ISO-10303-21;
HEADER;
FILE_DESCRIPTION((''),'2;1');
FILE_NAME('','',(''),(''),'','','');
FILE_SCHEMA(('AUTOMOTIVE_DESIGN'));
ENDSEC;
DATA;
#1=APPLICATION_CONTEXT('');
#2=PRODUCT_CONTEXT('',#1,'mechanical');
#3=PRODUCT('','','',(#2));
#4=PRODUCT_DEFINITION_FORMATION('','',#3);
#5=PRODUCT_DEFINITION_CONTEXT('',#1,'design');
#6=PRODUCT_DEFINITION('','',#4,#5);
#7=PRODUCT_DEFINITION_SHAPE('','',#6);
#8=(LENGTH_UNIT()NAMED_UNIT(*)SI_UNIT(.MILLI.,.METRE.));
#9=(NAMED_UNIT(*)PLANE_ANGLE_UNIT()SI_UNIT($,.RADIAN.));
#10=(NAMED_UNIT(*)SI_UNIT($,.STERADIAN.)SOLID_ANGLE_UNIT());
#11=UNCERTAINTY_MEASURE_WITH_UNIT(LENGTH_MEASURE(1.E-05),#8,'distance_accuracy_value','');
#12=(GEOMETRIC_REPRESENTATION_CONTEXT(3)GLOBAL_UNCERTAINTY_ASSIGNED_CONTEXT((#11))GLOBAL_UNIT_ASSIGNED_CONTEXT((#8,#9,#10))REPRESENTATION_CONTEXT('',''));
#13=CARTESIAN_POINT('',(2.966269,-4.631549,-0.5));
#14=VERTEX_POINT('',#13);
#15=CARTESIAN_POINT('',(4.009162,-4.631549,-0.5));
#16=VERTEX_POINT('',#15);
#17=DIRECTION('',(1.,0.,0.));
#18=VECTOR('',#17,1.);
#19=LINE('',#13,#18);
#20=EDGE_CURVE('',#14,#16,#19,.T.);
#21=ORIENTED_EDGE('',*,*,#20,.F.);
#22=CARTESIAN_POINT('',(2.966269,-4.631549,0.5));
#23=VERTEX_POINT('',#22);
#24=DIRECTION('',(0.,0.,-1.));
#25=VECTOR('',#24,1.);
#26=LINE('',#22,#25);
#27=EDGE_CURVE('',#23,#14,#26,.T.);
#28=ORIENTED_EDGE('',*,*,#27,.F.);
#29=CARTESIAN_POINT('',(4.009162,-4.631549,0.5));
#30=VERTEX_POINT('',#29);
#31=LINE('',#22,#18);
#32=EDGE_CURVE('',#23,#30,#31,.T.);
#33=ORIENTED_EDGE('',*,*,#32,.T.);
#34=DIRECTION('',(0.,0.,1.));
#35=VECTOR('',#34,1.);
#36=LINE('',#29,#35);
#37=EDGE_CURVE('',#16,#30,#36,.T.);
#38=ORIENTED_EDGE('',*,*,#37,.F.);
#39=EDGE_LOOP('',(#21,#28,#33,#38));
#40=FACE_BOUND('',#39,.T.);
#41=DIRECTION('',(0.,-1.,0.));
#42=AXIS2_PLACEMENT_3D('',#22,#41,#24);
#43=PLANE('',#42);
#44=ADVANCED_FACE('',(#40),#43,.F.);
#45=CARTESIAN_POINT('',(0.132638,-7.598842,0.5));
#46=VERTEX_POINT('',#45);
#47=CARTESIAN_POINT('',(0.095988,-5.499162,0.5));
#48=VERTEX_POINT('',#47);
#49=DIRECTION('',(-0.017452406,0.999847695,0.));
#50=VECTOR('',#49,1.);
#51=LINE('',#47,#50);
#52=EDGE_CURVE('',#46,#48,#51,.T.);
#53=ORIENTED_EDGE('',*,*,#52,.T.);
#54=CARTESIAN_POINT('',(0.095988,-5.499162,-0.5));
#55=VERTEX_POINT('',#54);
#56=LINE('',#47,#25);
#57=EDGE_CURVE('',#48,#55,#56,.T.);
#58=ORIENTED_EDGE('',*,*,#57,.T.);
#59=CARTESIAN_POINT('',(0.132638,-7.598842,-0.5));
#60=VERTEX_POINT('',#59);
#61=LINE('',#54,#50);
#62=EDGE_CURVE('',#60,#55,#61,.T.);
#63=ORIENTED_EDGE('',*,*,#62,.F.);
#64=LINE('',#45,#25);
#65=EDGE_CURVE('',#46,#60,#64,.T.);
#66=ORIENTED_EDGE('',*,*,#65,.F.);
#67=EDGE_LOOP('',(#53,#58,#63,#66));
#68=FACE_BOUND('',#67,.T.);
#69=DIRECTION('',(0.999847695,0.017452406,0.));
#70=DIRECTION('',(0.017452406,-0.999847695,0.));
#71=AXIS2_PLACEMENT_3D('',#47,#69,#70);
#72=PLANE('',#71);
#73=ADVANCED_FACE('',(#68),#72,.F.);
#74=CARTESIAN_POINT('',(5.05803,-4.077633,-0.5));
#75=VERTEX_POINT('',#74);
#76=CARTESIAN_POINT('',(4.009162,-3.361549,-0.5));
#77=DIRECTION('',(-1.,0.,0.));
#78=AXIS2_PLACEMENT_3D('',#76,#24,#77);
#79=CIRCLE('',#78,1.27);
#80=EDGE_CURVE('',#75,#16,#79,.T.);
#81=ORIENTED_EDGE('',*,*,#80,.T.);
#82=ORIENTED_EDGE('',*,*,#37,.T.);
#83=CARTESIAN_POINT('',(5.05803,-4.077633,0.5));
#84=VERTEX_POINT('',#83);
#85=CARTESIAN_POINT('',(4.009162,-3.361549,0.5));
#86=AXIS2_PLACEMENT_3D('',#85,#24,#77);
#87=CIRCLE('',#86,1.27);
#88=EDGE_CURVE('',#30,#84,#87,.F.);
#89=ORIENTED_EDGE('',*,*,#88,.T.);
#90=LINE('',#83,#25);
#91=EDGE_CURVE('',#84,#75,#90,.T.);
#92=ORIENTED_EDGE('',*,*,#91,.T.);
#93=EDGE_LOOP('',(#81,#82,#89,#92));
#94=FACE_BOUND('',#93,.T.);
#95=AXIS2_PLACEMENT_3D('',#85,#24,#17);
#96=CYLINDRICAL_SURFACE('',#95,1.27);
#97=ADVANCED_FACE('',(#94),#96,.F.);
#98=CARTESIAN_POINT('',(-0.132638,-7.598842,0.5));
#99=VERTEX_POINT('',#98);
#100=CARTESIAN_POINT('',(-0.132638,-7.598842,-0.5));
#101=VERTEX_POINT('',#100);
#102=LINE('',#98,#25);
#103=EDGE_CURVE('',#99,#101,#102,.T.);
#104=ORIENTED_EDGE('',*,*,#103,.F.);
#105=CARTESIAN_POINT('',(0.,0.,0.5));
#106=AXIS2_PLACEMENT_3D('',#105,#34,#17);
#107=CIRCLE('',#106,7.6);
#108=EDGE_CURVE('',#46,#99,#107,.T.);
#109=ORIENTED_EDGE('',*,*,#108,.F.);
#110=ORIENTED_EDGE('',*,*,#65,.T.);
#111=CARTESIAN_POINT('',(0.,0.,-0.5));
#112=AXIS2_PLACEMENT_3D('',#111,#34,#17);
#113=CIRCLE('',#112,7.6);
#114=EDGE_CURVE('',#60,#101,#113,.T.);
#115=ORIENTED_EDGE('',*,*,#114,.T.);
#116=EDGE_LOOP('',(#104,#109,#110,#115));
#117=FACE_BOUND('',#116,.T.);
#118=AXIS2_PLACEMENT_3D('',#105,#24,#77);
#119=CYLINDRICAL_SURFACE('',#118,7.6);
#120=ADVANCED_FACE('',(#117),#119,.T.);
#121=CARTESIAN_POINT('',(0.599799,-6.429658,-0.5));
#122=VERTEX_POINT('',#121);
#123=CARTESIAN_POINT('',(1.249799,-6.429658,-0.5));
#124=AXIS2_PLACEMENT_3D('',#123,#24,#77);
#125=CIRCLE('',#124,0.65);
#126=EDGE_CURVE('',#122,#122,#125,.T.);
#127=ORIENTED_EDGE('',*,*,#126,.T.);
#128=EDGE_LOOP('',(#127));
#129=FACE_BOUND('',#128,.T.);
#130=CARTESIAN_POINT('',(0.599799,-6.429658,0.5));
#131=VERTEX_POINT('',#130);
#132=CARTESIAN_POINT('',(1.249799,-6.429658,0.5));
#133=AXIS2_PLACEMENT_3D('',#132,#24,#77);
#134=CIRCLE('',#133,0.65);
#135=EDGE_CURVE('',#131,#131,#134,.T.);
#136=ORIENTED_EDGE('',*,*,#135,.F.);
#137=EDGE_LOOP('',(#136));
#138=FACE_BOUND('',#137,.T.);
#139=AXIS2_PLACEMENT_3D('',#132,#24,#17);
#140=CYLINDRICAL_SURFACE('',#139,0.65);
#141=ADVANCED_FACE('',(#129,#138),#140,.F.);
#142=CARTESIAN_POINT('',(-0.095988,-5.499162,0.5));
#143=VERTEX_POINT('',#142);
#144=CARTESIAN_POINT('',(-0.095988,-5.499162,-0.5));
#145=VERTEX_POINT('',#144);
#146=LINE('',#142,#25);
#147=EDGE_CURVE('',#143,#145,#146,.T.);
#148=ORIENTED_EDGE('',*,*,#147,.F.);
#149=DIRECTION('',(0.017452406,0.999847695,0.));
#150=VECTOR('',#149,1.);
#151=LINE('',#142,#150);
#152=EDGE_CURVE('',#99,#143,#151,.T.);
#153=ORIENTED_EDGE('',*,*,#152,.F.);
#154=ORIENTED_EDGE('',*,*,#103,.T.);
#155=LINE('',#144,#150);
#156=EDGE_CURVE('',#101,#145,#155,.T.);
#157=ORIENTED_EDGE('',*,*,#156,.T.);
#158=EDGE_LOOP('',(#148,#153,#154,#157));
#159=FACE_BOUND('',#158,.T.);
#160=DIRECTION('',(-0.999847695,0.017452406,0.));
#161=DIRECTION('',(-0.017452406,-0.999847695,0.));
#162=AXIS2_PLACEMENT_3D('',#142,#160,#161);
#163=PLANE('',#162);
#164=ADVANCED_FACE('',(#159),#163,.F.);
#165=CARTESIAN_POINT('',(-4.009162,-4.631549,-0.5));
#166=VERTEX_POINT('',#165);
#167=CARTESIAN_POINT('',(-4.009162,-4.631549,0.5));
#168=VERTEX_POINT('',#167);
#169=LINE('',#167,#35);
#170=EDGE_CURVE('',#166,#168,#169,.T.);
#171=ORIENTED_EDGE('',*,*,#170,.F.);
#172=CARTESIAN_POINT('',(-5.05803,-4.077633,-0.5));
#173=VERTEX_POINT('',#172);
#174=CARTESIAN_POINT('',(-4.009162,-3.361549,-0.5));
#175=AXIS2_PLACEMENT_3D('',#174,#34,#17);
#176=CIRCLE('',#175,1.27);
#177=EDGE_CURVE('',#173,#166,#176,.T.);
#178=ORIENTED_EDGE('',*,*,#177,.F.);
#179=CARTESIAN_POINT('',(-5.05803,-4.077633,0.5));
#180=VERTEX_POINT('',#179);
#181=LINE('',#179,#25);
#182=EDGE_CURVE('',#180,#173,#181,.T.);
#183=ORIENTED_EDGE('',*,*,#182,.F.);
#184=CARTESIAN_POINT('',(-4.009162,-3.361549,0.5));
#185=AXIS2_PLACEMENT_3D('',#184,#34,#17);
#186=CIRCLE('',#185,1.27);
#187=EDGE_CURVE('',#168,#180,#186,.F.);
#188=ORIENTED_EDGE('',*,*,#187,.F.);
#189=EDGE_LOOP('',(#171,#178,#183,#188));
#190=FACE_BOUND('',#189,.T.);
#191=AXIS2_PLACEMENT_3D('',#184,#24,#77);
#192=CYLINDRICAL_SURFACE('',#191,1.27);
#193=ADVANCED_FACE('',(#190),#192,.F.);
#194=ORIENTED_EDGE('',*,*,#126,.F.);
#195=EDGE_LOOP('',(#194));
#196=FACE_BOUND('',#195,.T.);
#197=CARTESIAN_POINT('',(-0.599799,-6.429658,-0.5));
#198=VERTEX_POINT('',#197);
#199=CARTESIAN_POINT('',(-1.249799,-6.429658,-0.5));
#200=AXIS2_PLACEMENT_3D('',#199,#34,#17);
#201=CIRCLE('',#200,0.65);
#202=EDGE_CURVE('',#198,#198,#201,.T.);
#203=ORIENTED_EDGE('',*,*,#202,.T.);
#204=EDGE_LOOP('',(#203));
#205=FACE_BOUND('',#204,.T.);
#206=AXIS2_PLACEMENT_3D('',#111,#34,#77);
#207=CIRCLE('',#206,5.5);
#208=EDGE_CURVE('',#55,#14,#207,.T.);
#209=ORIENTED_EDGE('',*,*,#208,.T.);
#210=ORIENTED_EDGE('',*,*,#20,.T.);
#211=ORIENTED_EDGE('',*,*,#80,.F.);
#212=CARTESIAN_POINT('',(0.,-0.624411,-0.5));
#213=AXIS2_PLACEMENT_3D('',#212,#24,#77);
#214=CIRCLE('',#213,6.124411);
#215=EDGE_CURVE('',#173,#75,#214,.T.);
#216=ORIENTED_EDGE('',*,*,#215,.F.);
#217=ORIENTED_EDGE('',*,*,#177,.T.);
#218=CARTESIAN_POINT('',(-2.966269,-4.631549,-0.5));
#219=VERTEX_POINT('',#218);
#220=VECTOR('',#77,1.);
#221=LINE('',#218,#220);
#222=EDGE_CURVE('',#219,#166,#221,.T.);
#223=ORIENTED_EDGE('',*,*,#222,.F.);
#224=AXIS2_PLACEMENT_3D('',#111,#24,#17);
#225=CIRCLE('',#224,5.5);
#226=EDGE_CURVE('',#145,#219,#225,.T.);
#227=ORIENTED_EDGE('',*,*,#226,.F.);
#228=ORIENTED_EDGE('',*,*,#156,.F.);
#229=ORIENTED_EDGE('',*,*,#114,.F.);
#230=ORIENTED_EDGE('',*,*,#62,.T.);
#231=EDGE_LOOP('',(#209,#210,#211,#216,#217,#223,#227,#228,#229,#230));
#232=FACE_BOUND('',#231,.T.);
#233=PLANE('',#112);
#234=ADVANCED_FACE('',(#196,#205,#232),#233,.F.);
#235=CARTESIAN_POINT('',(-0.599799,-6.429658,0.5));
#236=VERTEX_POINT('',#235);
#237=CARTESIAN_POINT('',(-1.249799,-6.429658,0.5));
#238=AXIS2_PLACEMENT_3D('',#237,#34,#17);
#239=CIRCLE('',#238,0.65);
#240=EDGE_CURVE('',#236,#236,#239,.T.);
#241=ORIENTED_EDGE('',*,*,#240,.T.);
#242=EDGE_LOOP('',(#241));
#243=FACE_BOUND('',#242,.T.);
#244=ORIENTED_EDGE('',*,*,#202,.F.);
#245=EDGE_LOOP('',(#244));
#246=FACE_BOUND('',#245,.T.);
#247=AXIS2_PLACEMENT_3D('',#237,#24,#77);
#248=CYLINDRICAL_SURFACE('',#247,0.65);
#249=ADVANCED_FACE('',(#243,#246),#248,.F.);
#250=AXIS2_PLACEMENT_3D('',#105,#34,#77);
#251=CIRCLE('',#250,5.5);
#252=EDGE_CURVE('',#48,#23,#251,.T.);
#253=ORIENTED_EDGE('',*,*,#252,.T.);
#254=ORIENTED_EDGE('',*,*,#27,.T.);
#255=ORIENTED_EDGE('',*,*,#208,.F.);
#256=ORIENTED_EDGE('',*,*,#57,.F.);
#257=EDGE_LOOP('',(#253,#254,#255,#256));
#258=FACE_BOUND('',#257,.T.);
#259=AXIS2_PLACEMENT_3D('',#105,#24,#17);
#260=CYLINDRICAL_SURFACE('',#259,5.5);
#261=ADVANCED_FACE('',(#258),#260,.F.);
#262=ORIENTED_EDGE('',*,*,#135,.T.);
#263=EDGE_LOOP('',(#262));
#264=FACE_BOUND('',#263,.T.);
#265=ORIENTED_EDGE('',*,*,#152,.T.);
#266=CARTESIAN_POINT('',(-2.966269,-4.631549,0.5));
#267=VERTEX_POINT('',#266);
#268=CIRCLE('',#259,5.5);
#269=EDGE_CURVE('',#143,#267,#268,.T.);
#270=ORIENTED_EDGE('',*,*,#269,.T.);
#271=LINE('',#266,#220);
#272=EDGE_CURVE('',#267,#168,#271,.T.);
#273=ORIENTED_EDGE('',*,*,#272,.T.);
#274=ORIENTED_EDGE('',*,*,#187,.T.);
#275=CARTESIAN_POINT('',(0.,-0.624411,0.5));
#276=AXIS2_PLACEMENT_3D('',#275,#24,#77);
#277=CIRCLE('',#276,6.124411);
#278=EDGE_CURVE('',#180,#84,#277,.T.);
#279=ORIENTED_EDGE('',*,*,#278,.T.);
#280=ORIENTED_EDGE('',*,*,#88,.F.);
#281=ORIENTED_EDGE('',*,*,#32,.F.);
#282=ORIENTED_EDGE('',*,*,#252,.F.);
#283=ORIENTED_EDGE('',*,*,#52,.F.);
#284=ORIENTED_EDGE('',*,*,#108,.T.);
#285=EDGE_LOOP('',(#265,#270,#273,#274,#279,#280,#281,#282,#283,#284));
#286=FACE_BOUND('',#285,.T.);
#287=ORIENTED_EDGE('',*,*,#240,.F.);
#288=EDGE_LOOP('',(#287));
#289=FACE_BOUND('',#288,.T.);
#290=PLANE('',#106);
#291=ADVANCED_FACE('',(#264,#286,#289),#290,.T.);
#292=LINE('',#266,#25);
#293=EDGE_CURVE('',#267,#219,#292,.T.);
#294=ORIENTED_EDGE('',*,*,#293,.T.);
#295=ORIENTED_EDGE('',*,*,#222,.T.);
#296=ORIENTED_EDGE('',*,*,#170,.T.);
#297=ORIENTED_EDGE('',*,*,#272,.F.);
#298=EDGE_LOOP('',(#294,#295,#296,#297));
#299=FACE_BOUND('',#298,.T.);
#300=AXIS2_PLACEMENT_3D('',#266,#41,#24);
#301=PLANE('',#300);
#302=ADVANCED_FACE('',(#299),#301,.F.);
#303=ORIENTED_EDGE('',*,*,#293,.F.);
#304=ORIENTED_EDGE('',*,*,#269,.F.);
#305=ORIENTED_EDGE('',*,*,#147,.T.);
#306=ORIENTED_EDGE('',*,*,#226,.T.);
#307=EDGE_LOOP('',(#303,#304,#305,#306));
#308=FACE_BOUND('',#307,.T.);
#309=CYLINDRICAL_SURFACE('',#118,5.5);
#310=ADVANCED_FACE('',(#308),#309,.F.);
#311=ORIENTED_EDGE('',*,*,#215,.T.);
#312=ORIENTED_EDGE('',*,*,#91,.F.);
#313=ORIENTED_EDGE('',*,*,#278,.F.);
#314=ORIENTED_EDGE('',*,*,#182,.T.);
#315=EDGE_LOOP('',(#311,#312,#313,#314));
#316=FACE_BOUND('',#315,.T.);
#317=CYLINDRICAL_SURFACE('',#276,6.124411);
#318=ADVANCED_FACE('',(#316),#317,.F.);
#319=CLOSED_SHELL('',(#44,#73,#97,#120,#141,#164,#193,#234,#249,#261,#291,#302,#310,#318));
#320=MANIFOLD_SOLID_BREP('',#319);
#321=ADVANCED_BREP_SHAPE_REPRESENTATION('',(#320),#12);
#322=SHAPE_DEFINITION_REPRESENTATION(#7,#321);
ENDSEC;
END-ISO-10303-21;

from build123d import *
from build123d.topology import SkipClean

# Parameters (mm, degrees)
SKETCH3_R           = 0.65
BOSS_EXTRUDE1_DEPTH = 0.5
FILLET1_R           = 1.27


with BuildPart() as part:
    # Sketch3 → Boss-Extrude1 (new, symmetric)
    with BuildSketch(Plane.XY):
        with BuildLine():
            Line((-2.9662687, -4.631549417), (-4.631549417, -4.631549417))
            ThreePointArc((-4.631549417, -4.631549417), (-5.569998734, 1.921865411), (0, 5.5))
            Line((0, 5.5), (0, 7.6))
            ThreePointArc((0, 7.6), (-7.599710615, 0.06632167), (-0.132638289, -7.598842483))
            Line((-0.132638289, -7.598842483), (-0.095988235, -5.499162323))
            ThreePointArc((-0.095988235, -5.499162323), (-1.591396375, -5.26473718), (-2.9662687, -4.631549417))
        make_face()
        with Locations((-1.24979892, -6.429658052)):
            Circle(SKETCH3_R, mode=Mode.SUBTRACT)
    extrude(amount=BOSS_EXTRUDE1_DEPTH, both=True)

    # Fillet1
    fillet1_edges = [part.edges().sort_by_distance(p)[0] for p in [
        (-4.631549417, -4.631549417, 0),
    ]]
    fillet(fillet1_edges, radius=FILLET1_R)

    # Mirror1: part across plane


with BuildPart() as part_1:
    with SkipClean():  # the faces are left unmerged after this step: merging them gives an invalid solid
        add(part.part)
        add(part.part.mirror(Plane(origin=(0, 0, 0), x_dir=(0, 0, 1), z_dir=(1, 0, 0))))


solid = part_1.part
